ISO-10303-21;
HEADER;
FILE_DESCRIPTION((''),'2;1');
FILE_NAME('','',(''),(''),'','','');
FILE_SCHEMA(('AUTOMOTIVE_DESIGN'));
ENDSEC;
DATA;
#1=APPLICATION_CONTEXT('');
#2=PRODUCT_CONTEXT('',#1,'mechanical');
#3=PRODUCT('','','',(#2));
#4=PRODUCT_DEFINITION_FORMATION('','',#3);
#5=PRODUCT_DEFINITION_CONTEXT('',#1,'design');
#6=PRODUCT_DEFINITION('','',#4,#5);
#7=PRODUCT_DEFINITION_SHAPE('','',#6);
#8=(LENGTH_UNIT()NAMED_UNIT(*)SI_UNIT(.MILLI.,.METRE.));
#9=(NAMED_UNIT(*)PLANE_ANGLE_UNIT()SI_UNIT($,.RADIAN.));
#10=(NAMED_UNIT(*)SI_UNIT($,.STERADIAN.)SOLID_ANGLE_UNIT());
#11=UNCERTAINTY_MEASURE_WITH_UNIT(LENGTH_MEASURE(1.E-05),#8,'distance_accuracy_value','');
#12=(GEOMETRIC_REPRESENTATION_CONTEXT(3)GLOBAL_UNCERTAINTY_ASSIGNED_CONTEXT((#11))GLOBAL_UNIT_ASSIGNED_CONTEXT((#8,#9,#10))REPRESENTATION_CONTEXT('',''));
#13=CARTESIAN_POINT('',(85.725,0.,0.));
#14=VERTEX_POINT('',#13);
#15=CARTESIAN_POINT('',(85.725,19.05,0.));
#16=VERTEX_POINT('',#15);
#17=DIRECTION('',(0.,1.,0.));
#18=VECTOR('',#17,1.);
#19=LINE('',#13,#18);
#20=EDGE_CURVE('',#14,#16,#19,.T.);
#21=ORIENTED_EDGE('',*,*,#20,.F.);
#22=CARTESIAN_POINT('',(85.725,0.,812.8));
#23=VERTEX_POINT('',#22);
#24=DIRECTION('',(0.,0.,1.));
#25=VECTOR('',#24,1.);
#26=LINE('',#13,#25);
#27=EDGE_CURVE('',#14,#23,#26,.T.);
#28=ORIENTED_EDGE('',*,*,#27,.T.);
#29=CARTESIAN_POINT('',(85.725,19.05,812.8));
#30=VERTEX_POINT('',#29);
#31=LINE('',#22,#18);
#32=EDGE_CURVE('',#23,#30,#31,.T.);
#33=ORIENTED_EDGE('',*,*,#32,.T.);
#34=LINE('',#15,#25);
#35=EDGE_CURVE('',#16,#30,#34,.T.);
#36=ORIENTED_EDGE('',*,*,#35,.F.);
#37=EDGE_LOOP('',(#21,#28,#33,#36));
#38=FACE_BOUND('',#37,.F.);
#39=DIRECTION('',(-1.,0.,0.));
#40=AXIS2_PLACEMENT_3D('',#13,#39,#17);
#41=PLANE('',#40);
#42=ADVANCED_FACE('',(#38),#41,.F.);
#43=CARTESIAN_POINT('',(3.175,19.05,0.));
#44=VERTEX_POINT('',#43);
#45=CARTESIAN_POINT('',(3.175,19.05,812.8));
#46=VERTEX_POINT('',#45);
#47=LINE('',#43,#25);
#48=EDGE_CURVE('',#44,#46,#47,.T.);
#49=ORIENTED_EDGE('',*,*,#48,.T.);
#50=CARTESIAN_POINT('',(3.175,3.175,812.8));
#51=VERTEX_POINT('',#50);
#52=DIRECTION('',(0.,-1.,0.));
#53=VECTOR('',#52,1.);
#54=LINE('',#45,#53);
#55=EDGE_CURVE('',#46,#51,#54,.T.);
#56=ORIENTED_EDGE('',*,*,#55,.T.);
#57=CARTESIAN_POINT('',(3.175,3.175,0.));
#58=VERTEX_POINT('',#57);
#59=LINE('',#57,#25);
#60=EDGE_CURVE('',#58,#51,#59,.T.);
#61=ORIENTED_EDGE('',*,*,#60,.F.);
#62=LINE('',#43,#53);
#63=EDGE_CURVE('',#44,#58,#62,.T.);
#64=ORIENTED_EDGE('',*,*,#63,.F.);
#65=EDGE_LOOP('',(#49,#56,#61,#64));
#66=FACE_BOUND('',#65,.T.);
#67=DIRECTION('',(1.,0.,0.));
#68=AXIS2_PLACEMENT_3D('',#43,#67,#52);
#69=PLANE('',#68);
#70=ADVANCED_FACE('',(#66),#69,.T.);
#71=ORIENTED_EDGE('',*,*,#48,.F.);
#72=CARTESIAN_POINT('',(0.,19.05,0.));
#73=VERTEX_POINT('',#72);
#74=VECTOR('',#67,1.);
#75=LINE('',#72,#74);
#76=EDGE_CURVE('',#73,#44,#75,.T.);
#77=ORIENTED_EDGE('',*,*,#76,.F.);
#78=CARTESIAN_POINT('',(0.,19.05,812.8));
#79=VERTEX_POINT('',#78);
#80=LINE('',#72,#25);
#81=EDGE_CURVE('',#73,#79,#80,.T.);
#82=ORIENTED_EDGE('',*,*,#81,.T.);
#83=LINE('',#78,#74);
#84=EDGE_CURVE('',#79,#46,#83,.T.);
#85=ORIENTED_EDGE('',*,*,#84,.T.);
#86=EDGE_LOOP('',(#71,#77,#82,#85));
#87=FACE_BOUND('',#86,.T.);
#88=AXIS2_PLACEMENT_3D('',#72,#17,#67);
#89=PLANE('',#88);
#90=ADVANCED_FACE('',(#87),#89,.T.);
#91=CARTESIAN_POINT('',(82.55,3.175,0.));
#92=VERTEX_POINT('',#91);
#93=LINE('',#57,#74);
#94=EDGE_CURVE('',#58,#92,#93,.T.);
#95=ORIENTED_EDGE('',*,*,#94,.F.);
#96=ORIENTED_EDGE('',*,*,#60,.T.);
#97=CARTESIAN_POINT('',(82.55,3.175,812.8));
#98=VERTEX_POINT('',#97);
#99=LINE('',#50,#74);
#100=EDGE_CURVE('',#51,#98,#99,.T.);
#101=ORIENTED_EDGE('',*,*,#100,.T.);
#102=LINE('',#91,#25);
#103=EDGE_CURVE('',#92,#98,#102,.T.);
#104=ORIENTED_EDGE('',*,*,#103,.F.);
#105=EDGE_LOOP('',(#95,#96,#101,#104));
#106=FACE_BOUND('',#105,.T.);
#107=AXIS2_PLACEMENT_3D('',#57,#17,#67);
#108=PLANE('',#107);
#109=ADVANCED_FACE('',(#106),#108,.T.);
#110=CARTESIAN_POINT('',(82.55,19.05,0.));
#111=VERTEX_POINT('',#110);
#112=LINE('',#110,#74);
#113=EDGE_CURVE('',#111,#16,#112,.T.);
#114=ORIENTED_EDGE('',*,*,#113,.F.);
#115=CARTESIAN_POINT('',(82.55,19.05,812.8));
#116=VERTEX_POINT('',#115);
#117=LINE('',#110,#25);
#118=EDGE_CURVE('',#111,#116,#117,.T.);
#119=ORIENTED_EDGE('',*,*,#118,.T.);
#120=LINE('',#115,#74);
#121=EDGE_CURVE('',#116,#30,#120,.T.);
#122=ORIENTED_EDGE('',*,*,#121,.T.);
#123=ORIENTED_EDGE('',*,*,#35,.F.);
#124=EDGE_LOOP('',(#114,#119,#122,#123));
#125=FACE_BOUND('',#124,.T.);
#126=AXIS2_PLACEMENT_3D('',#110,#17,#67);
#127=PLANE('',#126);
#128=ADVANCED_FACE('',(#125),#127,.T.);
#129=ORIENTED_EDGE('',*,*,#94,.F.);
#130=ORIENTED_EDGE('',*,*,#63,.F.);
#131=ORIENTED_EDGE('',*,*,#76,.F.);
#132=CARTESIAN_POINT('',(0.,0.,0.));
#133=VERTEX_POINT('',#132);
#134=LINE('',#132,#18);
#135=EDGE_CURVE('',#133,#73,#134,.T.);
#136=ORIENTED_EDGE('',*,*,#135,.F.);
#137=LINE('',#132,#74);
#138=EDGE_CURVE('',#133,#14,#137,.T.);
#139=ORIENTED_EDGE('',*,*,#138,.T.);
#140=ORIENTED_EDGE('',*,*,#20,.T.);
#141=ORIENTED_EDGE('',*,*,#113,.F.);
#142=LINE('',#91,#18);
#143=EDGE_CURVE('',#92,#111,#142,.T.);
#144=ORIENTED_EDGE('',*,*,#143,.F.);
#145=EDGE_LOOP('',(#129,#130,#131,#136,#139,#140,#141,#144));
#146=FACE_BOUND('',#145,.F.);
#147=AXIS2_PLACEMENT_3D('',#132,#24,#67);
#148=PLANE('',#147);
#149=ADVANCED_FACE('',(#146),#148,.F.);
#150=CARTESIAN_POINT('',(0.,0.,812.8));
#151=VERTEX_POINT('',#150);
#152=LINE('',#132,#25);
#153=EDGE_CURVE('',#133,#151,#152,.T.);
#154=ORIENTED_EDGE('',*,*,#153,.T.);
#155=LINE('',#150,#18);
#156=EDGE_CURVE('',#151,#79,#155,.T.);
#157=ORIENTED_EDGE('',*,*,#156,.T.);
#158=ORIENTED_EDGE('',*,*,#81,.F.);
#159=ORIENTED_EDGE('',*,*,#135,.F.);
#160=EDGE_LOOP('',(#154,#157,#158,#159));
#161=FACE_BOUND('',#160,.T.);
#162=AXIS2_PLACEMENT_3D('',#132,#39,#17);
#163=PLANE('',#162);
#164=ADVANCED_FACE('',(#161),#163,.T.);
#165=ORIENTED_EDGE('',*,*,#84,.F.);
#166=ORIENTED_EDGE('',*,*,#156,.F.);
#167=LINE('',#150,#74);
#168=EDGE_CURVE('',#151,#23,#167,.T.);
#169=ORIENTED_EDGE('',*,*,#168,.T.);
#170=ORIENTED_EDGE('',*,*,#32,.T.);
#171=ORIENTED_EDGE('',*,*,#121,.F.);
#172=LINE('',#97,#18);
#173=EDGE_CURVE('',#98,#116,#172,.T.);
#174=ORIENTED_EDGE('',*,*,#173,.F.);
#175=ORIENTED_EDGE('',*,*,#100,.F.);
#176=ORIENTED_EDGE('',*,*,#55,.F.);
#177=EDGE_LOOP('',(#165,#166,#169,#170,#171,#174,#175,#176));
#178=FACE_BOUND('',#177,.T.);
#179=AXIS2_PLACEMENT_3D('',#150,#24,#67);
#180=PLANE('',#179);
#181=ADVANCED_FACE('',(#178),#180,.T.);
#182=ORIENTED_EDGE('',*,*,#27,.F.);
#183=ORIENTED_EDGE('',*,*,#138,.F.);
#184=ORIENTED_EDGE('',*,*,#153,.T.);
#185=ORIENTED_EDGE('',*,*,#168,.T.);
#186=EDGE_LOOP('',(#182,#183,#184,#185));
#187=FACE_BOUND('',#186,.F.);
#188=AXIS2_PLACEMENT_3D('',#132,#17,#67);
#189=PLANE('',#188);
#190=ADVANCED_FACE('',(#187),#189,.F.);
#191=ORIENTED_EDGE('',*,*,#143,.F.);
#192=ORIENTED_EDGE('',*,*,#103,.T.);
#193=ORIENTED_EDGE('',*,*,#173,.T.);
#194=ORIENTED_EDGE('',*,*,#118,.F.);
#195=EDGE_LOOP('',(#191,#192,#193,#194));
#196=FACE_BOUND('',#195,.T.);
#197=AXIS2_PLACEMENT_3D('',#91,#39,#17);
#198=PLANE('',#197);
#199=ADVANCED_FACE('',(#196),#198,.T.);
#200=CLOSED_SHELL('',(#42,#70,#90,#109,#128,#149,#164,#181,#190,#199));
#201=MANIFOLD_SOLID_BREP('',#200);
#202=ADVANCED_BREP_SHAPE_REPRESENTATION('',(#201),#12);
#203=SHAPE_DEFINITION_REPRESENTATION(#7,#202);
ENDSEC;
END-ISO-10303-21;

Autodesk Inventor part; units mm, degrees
ref_plane "YZ Plane" through (0, 0, 0) normal (1, 0, 0) x (0, 1, 0)
ref_plane "XZ Plane" through (0, 0, 0) normal (0, 1, 0) x (-1, 0, 0)
ref_plane "XY Plane" through (0, 0, 0) normal (0, 0, 1) x (1, 0, 0)
sketch "Sketch1" plane through (0, 0, 0) normal (0, 0, 1) x (1, 0, 0)
  line L0 (0, 0) -> (0, 19.05)
  line L1 (0, 19.05) -> (3.175, 19.05)
  line L2 (3.175, 19.05) -> (3.175, 3.175)
  line L3 (3.175, 3.175) -> (82.55, 3.175)
  line L4 (0, 0) -> (85.725, 0)
  line L5 (0, 0) -> (85.725, 0) construction
  line L6 (85.725, 0) -> (85.725, 19.05)
  line L7 (82.55, 3.175) -> (82.55, 19.05)
  line L8 (82.55, 19.05) -> (85.725, 19.05)
  dimension "d7" = 19.05
  dimension "d8" = 3.175
  dimension "d9" = 15.875
  dimension "d10" = 79.375
  dimension "d11" = 90
  dimension "d12" = 85.725
  dimension "d13" = 0
  dimension "d14" = 19.05
extrude "Extrusion1" add sketch "Sketch1" along normal blind 812.8
properties part number "FrameSide"
